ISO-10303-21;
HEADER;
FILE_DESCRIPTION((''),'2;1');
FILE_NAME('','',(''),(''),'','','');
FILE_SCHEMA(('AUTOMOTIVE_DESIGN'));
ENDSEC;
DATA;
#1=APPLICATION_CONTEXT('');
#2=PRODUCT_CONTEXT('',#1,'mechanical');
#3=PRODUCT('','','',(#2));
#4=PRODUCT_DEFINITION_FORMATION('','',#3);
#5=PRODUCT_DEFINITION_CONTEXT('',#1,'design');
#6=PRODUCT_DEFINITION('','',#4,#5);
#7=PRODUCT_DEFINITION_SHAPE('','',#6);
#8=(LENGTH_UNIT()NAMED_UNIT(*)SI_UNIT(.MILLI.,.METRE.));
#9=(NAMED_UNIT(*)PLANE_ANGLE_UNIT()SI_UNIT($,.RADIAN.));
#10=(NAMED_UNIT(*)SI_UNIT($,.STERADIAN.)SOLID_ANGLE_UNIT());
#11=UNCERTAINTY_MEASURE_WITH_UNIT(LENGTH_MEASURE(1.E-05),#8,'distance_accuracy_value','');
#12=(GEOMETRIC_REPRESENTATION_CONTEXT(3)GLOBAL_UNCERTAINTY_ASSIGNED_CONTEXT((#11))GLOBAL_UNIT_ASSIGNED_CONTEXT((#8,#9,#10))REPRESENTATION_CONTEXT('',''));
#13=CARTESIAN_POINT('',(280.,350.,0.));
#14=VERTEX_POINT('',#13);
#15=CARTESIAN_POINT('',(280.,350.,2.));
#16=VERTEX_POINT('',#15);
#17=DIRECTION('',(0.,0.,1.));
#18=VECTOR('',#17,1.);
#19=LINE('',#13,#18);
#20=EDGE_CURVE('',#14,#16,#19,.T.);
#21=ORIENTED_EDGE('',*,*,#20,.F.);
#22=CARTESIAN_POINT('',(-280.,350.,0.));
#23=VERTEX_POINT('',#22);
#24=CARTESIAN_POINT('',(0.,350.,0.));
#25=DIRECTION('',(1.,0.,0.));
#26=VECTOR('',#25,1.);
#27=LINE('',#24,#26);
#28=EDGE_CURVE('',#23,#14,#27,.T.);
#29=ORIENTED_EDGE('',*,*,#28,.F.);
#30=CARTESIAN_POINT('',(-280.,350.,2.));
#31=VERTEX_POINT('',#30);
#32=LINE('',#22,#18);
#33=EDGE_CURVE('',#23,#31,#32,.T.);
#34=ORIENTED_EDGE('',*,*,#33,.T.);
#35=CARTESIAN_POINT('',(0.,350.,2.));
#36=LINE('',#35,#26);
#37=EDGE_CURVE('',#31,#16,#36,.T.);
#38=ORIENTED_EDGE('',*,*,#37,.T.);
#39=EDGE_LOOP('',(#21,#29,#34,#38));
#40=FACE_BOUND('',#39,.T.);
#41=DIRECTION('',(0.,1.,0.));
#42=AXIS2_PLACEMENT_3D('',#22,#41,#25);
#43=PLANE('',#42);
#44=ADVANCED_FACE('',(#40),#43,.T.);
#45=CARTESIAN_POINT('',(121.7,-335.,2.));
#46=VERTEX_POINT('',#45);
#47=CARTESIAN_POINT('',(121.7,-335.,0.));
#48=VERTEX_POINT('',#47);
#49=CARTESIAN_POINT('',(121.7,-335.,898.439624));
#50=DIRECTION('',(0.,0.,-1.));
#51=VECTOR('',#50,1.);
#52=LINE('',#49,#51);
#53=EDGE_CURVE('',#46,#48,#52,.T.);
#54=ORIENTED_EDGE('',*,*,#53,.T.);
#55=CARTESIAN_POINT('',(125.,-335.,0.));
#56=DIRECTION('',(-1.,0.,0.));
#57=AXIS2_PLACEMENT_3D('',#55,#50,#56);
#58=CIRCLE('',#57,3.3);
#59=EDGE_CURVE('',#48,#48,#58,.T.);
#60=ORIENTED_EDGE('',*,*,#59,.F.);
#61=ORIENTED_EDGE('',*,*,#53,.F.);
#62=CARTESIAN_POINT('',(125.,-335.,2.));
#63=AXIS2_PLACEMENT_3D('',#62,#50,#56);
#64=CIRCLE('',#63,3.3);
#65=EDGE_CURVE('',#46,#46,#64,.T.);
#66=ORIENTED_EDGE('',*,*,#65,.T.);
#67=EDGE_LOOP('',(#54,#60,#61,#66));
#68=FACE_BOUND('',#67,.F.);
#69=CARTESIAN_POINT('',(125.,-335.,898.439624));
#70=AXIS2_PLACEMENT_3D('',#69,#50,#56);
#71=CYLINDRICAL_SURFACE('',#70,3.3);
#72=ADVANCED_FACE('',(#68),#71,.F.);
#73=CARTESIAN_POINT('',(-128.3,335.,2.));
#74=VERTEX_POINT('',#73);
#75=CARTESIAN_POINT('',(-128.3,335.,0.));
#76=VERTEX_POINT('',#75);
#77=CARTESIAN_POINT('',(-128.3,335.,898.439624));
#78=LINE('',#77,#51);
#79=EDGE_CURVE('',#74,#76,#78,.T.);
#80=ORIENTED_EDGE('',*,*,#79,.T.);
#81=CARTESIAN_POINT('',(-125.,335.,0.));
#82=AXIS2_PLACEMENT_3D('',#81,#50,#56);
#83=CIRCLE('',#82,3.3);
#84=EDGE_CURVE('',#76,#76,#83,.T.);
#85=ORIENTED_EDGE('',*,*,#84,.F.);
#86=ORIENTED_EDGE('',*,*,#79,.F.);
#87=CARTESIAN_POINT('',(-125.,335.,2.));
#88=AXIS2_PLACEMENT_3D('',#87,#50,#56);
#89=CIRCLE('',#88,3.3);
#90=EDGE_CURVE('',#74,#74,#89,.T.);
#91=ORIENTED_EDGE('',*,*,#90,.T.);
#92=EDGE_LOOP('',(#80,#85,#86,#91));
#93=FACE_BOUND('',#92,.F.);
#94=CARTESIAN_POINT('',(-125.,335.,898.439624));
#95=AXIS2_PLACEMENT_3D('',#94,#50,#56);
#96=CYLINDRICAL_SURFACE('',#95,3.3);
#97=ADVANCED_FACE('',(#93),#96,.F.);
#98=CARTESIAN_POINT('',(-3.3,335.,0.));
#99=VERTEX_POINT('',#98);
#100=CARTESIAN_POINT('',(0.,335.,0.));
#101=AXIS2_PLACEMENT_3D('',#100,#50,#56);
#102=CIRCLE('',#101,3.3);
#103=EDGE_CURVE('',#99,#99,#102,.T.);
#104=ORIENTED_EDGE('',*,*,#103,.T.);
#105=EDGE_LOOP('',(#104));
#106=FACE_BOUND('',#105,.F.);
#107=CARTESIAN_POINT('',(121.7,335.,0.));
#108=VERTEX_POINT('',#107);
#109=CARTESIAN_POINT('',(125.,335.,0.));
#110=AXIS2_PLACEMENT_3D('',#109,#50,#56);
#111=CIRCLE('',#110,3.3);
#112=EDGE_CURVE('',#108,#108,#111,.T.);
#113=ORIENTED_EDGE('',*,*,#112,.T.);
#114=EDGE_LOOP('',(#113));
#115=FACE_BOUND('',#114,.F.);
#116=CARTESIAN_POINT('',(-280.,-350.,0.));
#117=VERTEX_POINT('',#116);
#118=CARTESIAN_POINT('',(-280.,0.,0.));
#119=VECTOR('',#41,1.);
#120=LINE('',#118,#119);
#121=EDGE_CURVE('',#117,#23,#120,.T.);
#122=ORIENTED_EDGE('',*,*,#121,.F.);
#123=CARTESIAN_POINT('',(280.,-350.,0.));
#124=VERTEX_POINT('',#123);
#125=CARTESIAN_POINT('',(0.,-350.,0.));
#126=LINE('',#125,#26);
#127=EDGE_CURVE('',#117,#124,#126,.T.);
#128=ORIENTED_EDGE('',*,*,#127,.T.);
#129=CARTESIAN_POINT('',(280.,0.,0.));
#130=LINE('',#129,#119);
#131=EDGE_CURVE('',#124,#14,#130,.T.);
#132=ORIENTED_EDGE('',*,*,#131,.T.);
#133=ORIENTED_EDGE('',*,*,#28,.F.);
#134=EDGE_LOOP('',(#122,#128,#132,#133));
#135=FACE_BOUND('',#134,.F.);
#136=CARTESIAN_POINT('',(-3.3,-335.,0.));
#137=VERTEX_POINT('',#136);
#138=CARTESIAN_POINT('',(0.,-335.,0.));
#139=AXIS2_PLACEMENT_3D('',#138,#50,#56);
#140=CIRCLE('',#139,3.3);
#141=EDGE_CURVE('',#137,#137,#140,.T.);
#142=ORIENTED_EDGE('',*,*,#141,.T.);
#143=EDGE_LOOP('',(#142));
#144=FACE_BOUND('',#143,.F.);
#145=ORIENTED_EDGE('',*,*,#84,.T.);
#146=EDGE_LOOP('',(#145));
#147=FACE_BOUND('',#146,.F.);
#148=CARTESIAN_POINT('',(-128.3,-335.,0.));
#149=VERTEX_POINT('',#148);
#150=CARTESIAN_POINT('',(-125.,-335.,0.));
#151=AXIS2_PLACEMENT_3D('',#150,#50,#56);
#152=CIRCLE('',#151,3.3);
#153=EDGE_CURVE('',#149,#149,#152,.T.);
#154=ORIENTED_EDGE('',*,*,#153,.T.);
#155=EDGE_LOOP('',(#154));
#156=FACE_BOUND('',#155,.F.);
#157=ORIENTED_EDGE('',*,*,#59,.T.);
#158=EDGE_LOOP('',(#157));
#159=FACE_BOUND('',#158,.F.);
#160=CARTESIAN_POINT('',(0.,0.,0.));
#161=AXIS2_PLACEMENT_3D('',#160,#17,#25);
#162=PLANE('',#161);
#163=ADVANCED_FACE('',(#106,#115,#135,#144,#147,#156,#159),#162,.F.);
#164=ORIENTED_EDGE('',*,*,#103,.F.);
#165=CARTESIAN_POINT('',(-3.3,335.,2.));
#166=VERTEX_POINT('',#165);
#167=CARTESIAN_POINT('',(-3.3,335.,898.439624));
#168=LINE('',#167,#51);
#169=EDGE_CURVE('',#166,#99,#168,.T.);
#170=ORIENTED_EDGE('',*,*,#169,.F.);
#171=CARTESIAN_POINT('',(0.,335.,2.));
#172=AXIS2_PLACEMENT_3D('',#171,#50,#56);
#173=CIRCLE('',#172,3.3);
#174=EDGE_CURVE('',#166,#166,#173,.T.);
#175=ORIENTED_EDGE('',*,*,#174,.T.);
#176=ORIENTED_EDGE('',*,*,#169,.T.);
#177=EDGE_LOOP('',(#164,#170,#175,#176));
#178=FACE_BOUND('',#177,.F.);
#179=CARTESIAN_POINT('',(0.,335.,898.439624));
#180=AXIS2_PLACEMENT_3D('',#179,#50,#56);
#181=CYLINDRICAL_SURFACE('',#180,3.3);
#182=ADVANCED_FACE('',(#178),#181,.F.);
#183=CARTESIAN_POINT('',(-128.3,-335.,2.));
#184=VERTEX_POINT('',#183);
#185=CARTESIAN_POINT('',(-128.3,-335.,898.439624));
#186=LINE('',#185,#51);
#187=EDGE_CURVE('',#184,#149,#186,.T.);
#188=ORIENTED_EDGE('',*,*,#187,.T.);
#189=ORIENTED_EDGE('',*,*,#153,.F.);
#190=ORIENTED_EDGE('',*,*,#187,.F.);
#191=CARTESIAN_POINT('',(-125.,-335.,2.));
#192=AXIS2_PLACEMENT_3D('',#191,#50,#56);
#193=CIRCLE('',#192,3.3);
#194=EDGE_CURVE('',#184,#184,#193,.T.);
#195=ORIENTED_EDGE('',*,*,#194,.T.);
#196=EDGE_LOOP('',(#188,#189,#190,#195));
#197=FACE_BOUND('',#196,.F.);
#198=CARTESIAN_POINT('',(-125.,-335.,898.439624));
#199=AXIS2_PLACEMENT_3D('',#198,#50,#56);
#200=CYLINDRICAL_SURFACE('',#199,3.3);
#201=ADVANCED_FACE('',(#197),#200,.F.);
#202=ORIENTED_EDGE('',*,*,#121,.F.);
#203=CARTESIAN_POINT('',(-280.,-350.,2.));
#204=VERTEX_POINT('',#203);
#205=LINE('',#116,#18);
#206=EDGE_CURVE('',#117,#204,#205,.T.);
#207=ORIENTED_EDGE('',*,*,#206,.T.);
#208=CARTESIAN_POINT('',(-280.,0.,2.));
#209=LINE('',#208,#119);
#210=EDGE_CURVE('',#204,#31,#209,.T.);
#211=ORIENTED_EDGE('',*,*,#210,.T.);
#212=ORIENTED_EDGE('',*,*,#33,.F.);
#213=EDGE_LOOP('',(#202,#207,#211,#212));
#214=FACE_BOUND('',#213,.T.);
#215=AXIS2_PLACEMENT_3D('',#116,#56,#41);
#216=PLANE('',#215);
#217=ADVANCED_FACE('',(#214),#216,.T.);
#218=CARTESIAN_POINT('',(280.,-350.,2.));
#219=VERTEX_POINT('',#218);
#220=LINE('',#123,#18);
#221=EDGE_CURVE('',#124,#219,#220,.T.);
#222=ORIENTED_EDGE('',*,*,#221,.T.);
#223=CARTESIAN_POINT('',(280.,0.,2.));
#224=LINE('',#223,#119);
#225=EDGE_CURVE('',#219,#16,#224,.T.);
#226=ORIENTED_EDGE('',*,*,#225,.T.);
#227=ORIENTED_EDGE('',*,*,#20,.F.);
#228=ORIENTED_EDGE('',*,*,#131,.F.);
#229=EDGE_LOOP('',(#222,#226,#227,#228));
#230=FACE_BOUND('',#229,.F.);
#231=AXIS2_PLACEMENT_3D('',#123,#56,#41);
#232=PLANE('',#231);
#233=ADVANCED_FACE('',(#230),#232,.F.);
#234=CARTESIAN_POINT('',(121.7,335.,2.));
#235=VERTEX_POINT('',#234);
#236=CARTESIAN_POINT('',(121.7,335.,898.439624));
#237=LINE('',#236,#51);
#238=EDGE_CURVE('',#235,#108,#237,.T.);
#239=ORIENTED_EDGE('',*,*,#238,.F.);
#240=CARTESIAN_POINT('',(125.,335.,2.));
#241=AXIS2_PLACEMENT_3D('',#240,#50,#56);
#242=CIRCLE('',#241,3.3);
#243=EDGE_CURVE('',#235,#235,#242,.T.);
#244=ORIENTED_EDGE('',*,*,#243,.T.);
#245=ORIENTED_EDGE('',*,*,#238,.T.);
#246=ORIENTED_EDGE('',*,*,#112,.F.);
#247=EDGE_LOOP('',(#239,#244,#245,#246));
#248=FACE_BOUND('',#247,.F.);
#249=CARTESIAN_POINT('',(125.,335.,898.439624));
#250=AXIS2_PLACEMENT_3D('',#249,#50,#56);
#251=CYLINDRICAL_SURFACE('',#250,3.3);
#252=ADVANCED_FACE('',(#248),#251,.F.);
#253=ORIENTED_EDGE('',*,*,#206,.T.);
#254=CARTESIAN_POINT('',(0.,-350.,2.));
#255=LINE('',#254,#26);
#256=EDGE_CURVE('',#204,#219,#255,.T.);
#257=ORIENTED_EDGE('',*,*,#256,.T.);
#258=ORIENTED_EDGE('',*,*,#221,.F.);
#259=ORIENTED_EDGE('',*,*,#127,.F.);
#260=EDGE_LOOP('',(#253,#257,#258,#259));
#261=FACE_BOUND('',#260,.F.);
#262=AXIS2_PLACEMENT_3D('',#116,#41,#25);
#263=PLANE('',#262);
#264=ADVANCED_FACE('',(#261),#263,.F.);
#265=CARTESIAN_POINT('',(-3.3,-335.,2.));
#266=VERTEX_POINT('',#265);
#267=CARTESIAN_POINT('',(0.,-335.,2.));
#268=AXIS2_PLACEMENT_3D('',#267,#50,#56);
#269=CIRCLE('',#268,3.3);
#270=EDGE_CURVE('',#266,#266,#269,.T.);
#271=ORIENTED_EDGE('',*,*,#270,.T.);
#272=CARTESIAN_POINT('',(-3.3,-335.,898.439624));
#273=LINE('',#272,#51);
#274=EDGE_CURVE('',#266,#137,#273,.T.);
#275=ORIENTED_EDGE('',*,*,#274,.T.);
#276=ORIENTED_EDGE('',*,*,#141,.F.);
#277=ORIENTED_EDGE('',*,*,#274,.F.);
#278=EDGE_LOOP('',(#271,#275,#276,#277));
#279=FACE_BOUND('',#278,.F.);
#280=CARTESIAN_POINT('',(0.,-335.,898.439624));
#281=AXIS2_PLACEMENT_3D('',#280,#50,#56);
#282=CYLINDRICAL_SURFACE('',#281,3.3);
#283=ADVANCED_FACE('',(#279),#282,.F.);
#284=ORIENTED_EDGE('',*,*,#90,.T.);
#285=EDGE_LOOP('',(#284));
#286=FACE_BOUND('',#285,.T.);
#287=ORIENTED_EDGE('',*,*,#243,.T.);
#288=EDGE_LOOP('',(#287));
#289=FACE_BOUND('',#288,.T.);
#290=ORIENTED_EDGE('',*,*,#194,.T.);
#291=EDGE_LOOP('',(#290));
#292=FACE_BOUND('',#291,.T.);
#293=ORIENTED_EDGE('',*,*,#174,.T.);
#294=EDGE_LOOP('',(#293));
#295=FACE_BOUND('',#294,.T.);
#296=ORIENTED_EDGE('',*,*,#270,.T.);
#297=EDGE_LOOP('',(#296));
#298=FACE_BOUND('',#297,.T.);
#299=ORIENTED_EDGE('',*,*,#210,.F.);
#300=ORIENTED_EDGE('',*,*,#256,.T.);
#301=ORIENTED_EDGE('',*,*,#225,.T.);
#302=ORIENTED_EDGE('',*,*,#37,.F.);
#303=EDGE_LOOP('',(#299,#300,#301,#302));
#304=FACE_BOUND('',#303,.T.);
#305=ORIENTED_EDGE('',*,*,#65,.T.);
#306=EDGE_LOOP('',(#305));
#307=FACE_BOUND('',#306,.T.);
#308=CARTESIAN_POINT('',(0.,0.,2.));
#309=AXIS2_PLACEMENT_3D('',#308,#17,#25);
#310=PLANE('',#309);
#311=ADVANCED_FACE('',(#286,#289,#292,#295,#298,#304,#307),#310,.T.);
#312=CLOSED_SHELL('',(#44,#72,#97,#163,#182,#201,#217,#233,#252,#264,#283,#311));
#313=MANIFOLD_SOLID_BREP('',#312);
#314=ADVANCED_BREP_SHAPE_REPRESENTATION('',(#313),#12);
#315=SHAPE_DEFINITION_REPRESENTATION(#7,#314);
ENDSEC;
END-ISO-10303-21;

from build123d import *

# Parameters (mm, degrees)
F0_W     = 560
F0_H     = 700
F1_DEPTH = 2
F3_D     = 6.6


with BuildPart() as f1:
    # F0 (on Top) → F1 (new body)
    with BuildSketch(Plane.XY):
        Rectangle(F0_W, F0_H)
    extrude(amount=F1_DEPTH)

    # F3 (through all)
    with Locations(Plane.XY.offset(2)):
        with Locations((-125, 335), (0, 335), (125, 335), (125, -335), (0, -335), (-125, -335)):
            Hole(F3_D / 2)


solid = f1.part
